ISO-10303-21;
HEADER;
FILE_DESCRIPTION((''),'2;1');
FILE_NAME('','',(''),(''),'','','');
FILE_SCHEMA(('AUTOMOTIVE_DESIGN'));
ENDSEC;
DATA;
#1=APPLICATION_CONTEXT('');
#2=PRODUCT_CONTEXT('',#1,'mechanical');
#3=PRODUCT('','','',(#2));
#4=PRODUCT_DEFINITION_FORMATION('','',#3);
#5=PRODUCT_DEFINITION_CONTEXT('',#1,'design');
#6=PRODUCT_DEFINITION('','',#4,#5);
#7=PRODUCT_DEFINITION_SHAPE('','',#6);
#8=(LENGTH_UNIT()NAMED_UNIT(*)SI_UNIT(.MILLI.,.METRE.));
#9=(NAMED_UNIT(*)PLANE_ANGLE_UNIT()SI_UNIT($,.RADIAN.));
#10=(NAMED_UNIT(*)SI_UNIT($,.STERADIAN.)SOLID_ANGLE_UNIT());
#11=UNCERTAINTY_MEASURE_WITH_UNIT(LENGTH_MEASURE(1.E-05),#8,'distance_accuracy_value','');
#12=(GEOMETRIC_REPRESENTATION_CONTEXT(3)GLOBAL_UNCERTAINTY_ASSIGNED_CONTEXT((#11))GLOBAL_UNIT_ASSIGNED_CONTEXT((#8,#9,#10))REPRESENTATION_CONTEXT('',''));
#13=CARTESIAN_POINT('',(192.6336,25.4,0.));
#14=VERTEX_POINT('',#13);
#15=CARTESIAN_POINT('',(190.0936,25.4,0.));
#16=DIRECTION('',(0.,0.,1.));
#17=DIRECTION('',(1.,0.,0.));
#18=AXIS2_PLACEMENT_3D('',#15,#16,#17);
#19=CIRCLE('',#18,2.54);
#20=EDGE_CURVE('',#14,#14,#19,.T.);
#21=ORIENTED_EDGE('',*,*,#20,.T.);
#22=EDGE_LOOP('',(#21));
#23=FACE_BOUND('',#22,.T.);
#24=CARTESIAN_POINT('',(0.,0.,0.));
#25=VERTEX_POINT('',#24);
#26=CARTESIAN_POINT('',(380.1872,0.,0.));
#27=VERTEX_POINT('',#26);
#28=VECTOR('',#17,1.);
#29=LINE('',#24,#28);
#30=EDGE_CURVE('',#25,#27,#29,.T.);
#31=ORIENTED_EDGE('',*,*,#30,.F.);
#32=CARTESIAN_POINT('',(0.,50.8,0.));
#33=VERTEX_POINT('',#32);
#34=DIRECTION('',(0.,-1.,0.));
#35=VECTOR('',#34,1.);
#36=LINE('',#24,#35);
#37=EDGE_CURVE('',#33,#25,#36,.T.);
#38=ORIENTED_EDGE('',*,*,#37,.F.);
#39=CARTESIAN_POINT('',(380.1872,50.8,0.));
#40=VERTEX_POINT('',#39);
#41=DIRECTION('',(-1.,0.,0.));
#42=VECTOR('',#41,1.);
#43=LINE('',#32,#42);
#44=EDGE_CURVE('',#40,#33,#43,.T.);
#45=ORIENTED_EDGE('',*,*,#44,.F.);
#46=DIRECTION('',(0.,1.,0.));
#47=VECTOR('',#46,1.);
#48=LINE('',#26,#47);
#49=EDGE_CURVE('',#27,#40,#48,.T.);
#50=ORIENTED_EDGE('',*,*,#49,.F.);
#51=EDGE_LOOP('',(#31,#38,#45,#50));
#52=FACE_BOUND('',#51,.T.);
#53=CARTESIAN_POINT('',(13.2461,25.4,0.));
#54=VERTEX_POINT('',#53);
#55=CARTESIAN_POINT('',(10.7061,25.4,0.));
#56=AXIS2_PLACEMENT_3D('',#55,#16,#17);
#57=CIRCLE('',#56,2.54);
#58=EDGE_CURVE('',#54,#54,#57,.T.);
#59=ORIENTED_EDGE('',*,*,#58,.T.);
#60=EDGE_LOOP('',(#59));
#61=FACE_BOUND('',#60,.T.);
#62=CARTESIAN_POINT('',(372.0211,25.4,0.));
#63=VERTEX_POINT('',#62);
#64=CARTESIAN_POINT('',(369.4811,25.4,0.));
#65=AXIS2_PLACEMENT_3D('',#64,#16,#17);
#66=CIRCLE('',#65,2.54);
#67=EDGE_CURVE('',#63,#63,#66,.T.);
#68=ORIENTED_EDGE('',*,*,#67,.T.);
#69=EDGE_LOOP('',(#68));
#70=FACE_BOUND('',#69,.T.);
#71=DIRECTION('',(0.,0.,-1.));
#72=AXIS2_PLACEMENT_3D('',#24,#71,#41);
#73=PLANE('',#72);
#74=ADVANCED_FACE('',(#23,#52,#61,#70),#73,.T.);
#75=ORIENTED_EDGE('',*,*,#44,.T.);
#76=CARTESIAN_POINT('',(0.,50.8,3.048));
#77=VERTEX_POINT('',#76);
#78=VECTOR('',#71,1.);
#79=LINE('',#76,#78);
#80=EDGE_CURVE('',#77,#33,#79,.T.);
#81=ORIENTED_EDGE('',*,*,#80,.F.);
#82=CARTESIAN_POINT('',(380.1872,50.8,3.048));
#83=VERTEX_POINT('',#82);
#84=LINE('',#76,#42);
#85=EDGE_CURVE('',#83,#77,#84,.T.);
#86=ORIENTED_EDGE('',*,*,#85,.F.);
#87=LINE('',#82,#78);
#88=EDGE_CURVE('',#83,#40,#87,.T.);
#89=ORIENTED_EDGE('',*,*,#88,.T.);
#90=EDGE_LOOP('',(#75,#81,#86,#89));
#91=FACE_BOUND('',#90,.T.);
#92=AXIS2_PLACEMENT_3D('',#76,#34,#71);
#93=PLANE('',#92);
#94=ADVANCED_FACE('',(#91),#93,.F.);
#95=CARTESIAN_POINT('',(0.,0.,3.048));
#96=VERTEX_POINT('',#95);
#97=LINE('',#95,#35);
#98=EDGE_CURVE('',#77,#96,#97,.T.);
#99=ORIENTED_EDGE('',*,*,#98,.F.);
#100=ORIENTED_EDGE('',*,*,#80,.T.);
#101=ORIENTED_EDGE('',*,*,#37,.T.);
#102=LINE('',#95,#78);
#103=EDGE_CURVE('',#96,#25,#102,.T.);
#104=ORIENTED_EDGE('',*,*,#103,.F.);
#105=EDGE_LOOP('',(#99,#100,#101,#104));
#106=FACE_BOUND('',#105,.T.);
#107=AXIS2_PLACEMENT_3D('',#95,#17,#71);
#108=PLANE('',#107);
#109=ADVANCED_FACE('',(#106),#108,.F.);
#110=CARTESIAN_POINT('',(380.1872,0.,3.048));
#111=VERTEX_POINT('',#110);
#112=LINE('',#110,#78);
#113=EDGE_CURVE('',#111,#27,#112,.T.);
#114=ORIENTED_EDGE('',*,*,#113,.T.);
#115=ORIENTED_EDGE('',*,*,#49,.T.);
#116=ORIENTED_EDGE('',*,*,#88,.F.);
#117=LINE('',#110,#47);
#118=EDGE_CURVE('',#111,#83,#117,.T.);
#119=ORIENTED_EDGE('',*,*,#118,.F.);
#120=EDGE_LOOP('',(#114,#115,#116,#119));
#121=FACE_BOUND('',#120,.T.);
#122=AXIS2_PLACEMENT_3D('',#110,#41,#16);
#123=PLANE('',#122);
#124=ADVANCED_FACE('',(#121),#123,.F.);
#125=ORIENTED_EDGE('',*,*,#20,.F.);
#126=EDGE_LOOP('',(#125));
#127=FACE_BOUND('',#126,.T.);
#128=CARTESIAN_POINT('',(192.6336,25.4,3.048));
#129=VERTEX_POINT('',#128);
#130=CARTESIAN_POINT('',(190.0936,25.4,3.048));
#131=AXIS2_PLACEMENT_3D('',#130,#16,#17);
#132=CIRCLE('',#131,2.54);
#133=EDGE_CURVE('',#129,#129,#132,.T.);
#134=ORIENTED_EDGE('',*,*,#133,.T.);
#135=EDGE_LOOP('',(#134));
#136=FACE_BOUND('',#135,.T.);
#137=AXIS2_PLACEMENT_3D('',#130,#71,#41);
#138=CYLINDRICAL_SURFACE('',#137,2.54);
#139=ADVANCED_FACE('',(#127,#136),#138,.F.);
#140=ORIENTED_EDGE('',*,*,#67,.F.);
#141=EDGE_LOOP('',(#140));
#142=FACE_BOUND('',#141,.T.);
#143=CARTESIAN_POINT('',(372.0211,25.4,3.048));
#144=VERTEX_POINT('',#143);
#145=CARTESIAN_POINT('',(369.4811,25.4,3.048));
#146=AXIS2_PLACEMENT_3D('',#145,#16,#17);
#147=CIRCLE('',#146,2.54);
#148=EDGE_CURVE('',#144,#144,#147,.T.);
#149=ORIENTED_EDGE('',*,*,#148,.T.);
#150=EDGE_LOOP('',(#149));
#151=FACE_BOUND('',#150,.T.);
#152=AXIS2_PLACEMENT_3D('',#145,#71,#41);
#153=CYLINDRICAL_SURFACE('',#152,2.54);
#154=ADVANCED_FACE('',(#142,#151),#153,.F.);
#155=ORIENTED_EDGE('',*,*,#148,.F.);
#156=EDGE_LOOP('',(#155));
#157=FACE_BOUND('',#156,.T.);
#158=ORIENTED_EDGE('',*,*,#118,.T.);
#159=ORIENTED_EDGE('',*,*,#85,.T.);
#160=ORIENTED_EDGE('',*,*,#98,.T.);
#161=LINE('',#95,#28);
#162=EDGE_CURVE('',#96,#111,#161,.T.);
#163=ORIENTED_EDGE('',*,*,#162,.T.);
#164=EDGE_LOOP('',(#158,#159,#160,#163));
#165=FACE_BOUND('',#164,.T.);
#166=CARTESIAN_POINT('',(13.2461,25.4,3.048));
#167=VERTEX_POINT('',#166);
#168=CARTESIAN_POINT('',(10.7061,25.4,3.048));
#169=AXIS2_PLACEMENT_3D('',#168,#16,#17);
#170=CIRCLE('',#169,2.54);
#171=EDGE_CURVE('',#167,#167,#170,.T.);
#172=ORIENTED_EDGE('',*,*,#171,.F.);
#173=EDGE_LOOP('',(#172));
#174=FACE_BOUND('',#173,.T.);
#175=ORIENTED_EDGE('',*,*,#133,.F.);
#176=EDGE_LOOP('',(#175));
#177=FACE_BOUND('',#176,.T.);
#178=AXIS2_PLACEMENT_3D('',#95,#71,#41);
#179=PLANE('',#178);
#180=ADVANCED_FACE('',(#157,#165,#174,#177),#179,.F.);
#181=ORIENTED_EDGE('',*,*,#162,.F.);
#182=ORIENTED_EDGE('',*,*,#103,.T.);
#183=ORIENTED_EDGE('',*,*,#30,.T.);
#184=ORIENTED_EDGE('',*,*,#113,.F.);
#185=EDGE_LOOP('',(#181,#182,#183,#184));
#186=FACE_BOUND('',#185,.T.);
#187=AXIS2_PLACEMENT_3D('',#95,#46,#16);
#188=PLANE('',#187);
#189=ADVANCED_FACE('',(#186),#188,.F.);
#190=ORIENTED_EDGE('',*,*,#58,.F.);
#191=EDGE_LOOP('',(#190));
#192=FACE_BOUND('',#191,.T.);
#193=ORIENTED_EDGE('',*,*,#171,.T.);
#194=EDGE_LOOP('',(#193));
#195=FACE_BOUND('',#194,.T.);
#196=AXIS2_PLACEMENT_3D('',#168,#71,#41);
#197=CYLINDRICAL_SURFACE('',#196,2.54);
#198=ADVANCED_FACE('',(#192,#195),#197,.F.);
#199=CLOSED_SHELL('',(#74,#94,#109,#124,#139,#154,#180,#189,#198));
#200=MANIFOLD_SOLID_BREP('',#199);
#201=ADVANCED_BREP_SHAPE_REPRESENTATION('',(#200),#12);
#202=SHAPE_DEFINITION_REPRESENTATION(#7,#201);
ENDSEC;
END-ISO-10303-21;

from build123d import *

# Parameters (mm, degrees)
SKETCH1_W           = 380.1872
SKETCH1_H           = 50.8
SKETCH1_R           = 2.54
BOSS_EXTRUDE1_DEPTH = 3.048


with BuildPart() as part:
    # Sketch1 → Boss-Extrude1 (new body)
    with BuildSketch(Plane.XY):
        with Locations((190.0936, 25.4)):
            Rectangle(SKETCH1_W, SKETCH1_H)
        with Locations((10.7061, 25.4)):
            Circle(SKETCH1_R, mode=Mode.SUBTRACT)
        with Locations((190.0936, 25.4)):
            Circle(SKETCH1_R, mode=Mode.SUBTRACT)
        with Locations((369.4811, 25.4)):
            Circle(SKETCH1_R, mode=Mode.SUBTRACT)
    extrude(amount=BOSS_EXTRUDE1_DEPTH)


solid = part.part
